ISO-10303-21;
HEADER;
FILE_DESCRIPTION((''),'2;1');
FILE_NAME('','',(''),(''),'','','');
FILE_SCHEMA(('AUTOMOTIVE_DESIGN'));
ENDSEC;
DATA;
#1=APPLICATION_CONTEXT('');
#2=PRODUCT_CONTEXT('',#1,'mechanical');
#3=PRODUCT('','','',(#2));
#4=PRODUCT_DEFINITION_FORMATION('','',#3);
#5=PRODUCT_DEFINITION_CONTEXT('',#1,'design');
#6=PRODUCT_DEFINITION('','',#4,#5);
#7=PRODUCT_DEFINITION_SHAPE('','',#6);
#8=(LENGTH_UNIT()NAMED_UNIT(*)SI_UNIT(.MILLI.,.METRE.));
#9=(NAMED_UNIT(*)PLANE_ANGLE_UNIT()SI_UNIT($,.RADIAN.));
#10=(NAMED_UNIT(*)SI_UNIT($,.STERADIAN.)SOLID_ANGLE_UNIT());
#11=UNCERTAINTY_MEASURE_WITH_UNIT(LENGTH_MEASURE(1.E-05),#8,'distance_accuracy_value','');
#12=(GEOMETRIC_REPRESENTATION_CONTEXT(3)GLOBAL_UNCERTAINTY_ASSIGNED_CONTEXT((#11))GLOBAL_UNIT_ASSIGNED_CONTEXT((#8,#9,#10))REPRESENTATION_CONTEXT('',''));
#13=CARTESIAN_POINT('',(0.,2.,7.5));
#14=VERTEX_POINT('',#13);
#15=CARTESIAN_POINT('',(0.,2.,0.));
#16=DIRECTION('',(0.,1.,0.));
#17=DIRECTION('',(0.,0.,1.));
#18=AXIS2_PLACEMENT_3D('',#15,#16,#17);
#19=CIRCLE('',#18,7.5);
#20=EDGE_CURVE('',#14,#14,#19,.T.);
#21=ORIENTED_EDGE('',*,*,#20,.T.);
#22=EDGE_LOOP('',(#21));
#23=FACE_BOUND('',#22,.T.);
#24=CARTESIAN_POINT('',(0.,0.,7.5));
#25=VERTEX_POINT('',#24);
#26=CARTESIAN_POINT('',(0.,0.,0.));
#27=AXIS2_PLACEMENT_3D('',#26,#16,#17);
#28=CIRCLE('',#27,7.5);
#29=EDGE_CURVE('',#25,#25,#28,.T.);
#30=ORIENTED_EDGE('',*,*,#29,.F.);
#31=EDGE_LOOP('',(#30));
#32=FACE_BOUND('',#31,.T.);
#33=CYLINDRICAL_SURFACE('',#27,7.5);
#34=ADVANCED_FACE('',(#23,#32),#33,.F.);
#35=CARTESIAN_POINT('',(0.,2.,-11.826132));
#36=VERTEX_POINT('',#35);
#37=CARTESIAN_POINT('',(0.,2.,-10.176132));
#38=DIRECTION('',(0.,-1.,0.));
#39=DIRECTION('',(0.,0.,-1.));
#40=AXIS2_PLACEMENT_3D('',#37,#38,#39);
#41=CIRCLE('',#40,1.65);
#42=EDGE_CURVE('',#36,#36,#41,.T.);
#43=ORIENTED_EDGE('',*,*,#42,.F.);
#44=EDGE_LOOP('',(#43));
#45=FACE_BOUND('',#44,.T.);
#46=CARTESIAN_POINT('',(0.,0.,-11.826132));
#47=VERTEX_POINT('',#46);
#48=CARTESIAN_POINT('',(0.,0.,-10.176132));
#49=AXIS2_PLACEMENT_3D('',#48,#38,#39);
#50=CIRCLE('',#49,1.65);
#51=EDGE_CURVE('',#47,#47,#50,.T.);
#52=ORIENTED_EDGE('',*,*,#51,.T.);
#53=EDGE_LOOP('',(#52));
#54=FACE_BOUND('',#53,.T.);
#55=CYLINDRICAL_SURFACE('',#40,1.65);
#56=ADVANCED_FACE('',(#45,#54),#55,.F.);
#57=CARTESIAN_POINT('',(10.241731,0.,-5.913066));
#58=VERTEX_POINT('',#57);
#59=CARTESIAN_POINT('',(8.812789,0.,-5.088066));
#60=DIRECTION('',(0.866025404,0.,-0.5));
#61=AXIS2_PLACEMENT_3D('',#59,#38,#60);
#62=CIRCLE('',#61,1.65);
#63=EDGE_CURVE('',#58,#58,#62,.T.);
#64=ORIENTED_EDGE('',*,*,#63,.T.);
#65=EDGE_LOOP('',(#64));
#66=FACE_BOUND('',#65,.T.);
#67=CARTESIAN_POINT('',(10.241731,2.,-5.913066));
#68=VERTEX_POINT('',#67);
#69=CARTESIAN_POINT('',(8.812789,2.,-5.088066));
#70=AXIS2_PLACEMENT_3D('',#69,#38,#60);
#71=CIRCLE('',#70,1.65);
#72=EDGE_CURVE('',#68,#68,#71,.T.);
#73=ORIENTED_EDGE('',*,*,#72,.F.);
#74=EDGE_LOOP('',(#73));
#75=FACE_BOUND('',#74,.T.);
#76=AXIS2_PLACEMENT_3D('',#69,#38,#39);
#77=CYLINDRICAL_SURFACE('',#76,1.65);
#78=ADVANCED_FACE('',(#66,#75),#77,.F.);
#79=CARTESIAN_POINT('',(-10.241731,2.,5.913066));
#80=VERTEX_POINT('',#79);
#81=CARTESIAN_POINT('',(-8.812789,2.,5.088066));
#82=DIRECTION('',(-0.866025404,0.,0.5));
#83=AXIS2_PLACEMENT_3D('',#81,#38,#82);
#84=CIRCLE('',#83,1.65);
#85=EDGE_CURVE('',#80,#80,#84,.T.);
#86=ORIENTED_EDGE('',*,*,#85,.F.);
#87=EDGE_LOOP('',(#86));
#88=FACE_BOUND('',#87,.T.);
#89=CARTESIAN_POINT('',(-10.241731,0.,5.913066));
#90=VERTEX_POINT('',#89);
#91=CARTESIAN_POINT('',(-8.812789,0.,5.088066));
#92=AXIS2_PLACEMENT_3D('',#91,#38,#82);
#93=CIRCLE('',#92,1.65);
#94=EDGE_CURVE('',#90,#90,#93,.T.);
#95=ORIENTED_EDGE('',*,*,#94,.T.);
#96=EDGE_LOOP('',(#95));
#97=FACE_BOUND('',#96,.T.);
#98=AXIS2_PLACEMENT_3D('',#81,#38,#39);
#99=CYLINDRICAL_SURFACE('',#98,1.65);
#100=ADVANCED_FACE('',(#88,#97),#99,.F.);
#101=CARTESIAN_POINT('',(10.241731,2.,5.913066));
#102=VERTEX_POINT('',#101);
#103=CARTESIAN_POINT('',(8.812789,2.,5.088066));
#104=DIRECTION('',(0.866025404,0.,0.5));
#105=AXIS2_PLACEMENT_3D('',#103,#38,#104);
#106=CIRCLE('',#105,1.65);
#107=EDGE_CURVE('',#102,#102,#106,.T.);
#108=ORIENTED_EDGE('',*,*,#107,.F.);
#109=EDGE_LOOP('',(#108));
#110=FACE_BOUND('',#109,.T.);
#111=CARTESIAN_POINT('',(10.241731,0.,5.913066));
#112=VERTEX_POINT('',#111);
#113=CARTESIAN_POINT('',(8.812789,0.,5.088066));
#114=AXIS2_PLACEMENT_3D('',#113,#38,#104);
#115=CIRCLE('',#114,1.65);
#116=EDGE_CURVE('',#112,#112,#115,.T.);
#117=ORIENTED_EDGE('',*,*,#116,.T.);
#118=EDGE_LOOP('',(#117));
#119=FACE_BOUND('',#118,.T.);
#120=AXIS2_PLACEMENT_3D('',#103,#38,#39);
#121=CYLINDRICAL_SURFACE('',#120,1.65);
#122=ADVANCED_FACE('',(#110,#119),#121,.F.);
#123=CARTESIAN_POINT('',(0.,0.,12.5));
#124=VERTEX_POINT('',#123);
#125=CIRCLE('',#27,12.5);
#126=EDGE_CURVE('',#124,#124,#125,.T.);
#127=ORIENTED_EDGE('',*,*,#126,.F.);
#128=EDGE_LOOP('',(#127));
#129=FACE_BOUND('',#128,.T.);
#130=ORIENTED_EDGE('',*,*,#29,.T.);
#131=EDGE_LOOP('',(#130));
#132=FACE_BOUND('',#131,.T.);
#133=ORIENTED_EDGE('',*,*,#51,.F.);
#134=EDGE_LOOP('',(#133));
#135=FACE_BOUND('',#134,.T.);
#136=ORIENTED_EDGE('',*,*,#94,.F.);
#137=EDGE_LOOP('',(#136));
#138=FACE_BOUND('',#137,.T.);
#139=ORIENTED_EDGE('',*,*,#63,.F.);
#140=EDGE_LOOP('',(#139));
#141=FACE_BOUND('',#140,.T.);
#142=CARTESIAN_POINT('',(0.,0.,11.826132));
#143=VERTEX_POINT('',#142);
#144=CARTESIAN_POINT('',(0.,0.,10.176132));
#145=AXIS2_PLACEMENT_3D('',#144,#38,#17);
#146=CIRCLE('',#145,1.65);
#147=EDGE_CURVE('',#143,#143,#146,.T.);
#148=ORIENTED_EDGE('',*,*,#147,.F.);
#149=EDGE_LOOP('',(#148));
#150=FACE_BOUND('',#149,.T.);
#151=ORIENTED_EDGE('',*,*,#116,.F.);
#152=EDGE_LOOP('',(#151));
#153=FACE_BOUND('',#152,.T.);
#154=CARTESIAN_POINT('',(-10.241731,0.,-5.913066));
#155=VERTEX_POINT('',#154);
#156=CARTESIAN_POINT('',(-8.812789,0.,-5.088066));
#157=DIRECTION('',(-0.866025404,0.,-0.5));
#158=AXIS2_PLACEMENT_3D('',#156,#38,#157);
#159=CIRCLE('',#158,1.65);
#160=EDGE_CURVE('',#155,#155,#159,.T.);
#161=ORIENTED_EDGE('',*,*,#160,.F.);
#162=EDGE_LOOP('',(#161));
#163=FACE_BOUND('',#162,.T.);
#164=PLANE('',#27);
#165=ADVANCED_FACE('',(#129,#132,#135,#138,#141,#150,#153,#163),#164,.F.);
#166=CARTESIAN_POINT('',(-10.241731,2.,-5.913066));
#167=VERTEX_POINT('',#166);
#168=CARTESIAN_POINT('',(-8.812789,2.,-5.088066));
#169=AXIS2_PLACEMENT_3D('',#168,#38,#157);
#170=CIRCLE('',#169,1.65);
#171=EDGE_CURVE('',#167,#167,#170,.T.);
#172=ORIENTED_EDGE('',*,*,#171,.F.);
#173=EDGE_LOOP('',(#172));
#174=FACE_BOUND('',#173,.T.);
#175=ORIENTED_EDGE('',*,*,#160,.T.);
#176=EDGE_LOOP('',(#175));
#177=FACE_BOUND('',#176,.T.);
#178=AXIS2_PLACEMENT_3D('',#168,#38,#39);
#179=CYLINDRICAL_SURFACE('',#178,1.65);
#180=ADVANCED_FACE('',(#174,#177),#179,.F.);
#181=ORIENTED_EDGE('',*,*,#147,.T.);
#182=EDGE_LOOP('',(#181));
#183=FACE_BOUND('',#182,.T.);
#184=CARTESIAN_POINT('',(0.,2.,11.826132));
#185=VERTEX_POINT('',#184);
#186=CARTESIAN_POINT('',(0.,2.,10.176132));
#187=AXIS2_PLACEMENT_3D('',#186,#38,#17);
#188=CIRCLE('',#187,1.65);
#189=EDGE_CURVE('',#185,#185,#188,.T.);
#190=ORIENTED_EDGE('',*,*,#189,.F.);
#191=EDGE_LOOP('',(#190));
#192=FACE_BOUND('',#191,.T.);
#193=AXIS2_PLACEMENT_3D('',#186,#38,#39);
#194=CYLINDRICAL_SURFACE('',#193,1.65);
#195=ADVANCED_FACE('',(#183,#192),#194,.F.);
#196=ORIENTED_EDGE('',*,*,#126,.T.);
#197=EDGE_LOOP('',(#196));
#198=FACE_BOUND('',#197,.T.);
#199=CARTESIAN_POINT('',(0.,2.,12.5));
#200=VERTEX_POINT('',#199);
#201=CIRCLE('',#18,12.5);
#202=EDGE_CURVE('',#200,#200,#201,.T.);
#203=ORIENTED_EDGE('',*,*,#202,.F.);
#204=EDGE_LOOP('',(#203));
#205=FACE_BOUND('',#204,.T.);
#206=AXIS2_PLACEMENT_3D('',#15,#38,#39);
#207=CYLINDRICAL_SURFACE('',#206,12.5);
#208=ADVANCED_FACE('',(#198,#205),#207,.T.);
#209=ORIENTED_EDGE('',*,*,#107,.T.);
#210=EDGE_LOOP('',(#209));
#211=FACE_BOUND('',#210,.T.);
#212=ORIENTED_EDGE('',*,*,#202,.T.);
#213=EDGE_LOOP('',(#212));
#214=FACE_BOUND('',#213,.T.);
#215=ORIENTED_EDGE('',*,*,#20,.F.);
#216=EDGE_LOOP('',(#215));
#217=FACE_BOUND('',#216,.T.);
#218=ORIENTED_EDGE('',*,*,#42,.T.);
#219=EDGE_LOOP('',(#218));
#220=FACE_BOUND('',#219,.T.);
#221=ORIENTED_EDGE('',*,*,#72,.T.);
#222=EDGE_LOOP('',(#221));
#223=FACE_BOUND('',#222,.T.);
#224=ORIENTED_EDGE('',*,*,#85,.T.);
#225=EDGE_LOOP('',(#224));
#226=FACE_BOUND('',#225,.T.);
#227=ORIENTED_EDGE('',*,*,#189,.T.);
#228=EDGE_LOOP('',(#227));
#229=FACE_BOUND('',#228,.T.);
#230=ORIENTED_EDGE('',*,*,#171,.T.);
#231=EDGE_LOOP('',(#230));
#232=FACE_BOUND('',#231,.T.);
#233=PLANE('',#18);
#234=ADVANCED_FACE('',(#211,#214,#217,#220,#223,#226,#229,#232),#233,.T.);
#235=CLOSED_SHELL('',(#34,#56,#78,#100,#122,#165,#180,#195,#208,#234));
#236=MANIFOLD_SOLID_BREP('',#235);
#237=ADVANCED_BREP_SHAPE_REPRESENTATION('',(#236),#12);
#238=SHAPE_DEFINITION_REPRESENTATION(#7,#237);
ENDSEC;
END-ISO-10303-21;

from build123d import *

# Parameters (mm, degrees)
SKETCH_1_R               = 12.5
EXTRUDE_1_DEPTH          = 2
SKETCH_2_R               = 1.65
CUT_EXTRUDE_1_DEPTH      = 18.790446875
PATTERN_CIRCULAR_1_COUNT = 6
SKETCH_6_R               = 7.5
CUT_EXTRUDE_3_DEPTH      = 18.790446875


with BuildPart() as part:
    # Эскиз1 → Бобышка-Вытянуть1 (new body)
    with BuildSketch(Plane(origin=(0, 0, 0), x_dir=(1, 0, 0), z_dir=(0, 1, 0))):
        with Locations(Location((0, 0, 0), (0, 0, 270))):
            Circle(SKETCH_1_R)
    extrude(amount=EXTRUDE_1_DEPTH)

    # Эскиз2 → Вырез-Вытянуть1 (cut, through all)
    with BuildSketch(Plane.XZ):
        with Locations(Location((0, -10.176132167, 0), (0, 0, 270))):
            Circle(SKETCH_2_R)
    cut_extrude_1 = extrude(amount=-CUT_EXTRUDE_1_DEPTH, mode=Mode.SUBTRACT)

    # Круговой массив1: Вырез-Вытянуть1 ×6 about axis
    pattern_circular_1_axis = Axis((0, 0, 0), (0, 1, 0))
    for i in range(1, PATTERN_CIRCULAR_1_COUNT):
        add(cut_extrude_1.rotate(pattern_circular_1_axis, i * 360 / PATTERN_CIRCULAR_1_COUNT), mode=Mode.SUBTRACT)

    # Эскиз6 → Вырез-Вытянуть3 (cut, through all)
    with BuildSketch(Plane(origin=(0, 2, 0), x_dir=(1, 0, 0), z_dir=(0, 1, 0))):
        with Locations(Location((0, 0, 0), (0, 0, 270))):
            Circle(SKETCH_6_R)
    extrude(amount=-CUT_EXTRUDE_3_DEPTH, mode=Mode.SUBTRACT)


solid = part.part
